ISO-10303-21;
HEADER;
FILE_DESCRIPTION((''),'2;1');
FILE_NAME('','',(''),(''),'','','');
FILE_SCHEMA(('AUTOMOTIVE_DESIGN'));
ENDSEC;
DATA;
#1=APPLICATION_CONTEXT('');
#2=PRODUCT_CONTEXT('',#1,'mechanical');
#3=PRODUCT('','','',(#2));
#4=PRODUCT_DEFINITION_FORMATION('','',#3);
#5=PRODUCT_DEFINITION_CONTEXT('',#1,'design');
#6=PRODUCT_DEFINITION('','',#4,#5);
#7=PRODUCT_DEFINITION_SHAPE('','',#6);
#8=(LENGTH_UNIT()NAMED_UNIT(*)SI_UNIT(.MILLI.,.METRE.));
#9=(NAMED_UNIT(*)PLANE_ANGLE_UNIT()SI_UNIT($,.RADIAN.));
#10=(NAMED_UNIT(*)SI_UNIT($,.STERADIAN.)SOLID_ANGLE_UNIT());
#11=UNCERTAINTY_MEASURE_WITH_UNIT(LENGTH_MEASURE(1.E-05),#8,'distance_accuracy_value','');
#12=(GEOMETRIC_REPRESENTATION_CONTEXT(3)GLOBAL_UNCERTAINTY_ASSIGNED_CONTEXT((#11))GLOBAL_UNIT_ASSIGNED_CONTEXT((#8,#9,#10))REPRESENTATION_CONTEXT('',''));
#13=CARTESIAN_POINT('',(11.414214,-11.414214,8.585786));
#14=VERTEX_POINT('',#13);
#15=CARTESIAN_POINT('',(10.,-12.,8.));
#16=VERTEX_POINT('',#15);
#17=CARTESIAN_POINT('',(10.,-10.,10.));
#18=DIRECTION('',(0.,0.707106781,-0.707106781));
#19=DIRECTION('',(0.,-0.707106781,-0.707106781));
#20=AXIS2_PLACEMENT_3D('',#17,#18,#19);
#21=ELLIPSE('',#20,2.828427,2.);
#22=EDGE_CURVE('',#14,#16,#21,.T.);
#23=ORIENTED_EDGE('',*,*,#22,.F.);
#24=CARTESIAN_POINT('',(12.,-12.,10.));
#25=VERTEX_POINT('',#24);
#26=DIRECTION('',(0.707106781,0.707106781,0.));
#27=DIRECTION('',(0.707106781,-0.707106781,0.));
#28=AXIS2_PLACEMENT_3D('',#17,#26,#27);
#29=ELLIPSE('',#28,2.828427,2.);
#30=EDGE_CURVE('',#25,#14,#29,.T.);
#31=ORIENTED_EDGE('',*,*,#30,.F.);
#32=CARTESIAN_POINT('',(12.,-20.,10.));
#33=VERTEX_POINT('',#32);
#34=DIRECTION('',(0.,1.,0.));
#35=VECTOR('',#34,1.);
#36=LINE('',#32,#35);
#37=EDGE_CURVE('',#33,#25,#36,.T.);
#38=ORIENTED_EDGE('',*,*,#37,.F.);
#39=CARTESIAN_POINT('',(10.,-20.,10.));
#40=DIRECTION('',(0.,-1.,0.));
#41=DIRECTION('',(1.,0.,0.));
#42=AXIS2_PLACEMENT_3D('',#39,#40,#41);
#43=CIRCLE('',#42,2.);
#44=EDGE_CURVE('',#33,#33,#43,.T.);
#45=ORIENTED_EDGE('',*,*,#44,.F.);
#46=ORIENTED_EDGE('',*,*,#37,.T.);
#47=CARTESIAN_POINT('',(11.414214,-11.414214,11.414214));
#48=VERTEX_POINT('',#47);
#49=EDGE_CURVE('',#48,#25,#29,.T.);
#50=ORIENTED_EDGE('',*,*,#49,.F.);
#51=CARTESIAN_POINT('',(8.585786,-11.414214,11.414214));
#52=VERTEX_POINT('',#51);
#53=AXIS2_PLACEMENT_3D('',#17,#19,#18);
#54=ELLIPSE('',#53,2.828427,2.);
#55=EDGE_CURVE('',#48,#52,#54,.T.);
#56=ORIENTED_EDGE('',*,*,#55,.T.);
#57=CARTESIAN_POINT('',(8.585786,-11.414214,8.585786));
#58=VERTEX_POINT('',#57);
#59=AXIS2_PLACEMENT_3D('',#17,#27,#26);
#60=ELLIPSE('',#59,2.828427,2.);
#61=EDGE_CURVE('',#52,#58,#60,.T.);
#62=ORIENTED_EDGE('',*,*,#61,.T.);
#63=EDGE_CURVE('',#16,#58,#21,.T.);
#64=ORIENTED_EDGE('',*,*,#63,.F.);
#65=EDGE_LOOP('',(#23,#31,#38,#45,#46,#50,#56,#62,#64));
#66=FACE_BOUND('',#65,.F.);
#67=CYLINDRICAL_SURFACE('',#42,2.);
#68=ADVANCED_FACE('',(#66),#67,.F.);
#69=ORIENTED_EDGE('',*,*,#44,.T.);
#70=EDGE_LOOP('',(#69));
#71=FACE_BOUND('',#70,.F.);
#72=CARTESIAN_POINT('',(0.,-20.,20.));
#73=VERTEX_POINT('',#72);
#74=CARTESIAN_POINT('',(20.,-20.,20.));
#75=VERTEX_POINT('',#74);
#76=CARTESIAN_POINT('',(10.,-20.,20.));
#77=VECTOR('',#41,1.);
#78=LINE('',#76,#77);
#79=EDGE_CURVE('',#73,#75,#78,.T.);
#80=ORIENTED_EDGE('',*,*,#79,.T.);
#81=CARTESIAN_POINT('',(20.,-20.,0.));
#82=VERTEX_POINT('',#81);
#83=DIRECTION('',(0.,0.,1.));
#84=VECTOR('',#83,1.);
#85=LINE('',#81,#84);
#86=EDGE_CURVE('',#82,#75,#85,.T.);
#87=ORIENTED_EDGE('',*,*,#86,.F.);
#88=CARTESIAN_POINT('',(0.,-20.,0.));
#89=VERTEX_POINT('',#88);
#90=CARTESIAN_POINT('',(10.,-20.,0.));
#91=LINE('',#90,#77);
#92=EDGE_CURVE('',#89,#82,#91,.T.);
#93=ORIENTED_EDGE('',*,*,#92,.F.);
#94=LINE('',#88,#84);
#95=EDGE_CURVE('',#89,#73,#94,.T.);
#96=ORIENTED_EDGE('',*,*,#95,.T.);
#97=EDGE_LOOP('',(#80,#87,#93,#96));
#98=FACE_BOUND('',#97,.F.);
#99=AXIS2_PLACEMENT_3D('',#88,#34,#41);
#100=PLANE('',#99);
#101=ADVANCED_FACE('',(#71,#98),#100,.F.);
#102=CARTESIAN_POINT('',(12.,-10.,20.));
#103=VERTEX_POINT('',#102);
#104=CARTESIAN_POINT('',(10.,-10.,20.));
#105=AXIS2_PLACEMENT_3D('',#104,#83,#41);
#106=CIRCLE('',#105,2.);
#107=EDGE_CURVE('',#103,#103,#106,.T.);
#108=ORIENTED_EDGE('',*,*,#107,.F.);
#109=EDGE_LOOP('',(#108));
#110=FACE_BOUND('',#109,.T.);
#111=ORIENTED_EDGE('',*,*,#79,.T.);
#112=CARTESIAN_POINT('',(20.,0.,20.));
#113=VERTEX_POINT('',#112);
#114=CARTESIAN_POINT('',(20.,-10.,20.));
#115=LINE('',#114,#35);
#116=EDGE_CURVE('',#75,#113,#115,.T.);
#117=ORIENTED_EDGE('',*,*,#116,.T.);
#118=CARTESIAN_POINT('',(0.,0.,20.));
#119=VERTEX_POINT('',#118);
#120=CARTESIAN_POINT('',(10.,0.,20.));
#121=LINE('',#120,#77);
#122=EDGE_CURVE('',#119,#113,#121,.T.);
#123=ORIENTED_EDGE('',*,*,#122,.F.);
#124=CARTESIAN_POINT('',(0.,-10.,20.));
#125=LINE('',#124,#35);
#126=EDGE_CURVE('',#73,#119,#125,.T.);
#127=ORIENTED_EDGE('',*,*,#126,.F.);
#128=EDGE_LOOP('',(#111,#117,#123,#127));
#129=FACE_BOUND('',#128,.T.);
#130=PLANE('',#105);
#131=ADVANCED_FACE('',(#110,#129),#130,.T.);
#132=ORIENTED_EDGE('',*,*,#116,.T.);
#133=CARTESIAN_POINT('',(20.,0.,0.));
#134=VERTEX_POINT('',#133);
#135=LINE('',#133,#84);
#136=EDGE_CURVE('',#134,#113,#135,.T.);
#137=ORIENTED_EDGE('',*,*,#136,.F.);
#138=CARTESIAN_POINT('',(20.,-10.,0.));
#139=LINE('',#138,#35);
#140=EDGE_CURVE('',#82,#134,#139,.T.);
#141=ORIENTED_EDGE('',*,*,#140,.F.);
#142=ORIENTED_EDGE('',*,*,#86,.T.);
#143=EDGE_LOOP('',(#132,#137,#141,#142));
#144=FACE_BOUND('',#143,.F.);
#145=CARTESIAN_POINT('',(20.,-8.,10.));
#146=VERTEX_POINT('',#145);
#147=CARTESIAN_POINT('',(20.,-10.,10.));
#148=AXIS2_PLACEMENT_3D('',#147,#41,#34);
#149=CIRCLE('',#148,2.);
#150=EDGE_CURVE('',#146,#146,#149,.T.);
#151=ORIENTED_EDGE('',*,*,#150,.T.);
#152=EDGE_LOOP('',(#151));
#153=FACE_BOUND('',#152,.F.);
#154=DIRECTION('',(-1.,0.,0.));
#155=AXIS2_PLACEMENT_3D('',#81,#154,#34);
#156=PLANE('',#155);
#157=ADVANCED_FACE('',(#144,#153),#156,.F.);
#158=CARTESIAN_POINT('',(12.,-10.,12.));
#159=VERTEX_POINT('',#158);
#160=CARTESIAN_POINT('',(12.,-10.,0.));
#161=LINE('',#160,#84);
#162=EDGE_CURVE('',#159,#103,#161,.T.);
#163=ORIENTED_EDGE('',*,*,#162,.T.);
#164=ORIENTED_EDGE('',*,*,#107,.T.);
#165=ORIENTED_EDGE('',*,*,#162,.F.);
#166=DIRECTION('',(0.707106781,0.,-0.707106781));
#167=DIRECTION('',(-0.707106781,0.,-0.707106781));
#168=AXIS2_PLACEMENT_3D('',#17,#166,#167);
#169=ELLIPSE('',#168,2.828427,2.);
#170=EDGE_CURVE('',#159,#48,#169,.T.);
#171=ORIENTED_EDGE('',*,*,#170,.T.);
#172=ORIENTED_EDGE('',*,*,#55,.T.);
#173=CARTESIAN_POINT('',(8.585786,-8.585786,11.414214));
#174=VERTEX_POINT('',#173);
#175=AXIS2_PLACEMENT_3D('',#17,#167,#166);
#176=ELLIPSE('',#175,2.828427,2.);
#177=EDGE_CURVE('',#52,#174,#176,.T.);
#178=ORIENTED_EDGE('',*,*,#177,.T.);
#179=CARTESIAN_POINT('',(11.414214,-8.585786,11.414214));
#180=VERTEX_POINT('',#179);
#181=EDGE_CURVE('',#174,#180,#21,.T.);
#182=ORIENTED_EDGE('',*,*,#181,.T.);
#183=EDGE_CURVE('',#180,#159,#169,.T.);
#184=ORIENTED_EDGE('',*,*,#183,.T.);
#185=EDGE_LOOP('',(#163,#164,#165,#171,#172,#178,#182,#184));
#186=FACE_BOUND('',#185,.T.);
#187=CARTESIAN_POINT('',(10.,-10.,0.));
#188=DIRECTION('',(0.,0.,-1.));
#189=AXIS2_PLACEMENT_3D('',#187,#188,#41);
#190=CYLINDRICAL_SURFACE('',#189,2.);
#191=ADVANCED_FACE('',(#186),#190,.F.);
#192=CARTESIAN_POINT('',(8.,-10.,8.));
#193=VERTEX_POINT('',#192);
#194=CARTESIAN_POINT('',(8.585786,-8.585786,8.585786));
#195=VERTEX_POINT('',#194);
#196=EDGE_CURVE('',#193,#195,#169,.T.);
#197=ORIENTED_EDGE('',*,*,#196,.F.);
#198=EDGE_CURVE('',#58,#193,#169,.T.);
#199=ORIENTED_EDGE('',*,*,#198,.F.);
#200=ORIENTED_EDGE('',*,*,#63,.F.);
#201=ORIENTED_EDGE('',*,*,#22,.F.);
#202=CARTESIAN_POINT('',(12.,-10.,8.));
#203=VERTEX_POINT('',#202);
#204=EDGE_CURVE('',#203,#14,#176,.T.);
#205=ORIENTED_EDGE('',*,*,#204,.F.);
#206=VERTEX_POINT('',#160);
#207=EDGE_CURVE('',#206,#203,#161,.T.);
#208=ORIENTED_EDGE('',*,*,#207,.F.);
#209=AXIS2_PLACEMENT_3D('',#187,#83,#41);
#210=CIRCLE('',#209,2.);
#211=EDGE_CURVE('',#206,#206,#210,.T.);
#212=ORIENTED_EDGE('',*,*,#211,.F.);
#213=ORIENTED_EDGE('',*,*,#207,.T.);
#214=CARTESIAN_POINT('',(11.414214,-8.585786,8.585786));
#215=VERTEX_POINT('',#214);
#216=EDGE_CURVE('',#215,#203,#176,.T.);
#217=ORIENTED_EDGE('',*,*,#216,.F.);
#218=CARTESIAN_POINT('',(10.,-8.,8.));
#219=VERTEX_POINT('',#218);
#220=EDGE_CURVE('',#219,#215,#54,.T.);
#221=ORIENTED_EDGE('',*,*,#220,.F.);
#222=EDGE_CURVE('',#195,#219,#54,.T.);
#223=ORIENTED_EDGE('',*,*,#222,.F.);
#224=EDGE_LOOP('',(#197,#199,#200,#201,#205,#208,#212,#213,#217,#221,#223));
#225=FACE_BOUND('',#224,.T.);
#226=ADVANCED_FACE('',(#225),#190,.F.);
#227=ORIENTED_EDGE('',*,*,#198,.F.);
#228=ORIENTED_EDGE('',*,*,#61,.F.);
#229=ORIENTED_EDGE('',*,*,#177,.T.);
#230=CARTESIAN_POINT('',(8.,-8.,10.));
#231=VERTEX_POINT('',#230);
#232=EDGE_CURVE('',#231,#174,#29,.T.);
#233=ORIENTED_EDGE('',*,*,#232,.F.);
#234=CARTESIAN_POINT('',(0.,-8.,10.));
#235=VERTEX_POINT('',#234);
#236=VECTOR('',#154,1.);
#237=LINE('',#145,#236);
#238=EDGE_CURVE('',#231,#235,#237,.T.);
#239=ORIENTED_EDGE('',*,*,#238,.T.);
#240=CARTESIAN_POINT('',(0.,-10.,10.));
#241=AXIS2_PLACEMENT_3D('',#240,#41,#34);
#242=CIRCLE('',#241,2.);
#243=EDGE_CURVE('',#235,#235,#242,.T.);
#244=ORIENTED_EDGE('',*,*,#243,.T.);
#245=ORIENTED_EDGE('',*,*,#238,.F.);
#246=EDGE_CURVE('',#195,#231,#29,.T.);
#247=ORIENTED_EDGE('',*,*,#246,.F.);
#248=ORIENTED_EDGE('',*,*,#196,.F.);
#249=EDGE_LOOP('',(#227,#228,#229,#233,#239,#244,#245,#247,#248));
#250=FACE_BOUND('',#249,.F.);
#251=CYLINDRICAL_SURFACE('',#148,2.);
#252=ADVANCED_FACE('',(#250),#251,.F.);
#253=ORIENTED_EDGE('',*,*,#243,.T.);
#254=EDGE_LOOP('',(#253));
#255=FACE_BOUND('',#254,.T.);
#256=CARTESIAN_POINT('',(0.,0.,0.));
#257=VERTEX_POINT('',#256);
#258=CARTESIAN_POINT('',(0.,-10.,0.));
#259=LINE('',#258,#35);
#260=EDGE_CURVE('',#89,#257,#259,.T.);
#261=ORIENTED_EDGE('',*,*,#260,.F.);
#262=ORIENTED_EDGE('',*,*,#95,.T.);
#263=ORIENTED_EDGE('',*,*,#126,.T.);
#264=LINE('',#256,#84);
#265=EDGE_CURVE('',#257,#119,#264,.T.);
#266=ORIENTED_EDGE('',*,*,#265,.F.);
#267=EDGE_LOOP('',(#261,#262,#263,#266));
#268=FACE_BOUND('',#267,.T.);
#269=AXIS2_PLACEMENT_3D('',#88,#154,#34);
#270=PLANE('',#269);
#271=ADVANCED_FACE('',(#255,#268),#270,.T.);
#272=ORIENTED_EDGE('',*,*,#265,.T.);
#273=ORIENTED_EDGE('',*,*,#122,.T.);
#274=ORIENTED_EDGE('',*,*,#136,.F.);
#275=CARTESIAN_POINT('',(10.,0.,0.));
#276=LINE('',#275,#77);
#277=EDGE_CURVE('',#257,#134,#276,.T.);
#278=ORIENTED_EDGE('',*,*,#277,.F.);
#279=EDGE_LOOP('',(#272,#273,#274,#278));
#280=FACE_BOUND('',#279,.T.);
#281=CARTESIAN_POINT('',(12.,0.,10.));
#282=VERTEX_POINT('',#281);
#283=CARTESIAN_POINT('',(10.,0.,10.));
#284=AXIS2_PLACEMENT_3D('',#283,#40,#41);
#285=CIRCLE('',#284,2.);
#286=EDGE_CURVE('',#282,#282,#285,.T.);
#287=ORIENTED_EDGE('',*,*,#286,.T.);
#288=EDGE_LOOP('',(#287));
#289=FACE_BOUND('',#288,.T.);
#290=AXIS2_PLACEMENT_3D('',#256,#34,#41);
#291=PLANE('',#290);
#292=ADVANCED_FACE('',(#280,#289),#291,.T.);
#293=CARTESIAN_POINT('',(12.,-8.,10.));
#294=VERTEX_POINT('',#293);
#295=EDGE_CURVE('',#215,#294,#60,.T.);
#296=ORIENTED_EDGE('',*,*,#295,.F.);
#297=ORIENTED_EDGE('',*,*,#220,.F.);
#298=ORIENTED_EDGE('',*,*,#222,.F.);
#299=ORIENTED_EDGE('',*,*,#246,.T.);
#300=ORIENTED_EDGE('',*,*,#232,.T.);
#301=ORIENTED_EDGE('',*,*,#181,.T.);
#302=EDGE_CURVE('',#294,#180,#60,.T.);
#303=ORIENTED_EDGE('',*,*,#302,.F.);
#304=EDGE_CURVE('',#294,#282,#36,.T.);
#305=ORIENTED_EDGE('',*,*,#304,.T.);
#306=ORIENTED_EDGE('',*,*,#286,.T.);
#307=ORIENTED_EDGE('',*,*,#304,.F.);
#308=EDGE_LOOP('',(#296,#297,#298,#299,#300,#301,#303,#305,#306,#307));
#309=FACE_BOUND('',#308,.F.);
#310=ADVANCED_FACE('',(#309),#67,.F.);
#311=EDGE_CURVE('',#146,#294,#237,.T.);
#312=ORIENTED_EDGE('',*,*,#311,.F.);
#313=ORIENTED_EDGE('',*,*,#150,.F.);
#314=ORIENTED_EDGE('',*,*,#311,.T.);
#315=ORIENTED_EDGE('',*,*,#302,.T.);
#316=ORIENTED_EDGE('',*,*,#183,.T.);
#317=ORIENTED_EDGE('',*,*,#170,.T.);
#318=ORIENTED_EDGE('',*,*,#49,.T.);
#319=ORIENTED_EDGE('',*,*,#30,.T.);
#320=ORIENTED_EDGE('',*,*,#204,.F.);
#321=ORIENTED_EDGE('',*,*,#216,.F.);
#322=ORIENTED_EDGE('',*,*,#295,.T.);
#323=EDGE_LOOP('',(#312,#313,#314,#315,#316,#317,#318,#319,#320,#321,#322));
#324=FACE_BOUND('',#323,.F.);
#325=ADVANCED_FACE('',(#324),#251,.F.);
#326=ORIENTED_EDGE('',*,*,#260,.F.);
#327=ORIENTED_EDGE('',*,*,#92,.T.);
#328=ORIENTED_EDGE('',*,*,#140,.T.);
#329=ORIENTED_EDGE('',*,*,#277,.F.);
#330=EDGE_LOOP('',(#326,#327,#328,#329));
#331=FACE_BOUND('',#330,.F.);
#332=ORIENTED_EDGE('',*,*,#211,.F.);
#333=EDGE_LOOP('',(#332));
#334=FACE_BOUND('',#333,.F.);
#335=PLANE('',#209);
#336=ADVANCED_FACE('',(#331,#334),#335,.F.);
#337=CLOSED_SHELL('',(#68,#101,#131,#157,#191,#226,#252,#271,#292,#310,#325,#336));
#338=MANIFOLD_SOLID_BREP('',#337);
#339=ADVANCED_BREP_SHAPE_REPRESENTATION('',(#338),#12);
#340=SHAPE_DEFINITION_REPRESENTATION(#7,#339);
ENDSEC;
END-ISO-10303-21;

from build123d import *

# Parameters (mm, degrees)
F0_W     = 20
F0_H     = 20
F0_R     = 2
F1_DEPTH = 20
F2_R     = 2
F3_DEPTH = 20.001
F4_R     = 2
F5_DEPTH = 20.001


with BuildPart() as f1:
    # F0 (on Top) → F1 (new body)
    with BuildSketch(Plane.XY):
        with Locations((10, -10)):
            Rectangle(F0_W, F0_H)
        with Locations((10, -10)):
            Circle(F0_R, mode=Mode.SUBTRACT)
    extrude(amount=F1_DEPTH)

    # F2 (on face) → F3 (cut, through all)
    with BuildSketch(Plane.YZ.offset(20)):
        with Locations((-10, 10)):
            Circle(F2_R)
    extrude(amount=-F3_DEPTH, mode=Mode.SUBTRACT)

    # F4 (on face) → F5 (cut, through all)
    with BuildSketch(Plane.XZ.offset(20)):
        with Locations((10, 10)):
            Circle(F4_R)
    extrude(amount=-F5_DEPTH, mode=Mode.SUBTRACT)


solid = f1.part
